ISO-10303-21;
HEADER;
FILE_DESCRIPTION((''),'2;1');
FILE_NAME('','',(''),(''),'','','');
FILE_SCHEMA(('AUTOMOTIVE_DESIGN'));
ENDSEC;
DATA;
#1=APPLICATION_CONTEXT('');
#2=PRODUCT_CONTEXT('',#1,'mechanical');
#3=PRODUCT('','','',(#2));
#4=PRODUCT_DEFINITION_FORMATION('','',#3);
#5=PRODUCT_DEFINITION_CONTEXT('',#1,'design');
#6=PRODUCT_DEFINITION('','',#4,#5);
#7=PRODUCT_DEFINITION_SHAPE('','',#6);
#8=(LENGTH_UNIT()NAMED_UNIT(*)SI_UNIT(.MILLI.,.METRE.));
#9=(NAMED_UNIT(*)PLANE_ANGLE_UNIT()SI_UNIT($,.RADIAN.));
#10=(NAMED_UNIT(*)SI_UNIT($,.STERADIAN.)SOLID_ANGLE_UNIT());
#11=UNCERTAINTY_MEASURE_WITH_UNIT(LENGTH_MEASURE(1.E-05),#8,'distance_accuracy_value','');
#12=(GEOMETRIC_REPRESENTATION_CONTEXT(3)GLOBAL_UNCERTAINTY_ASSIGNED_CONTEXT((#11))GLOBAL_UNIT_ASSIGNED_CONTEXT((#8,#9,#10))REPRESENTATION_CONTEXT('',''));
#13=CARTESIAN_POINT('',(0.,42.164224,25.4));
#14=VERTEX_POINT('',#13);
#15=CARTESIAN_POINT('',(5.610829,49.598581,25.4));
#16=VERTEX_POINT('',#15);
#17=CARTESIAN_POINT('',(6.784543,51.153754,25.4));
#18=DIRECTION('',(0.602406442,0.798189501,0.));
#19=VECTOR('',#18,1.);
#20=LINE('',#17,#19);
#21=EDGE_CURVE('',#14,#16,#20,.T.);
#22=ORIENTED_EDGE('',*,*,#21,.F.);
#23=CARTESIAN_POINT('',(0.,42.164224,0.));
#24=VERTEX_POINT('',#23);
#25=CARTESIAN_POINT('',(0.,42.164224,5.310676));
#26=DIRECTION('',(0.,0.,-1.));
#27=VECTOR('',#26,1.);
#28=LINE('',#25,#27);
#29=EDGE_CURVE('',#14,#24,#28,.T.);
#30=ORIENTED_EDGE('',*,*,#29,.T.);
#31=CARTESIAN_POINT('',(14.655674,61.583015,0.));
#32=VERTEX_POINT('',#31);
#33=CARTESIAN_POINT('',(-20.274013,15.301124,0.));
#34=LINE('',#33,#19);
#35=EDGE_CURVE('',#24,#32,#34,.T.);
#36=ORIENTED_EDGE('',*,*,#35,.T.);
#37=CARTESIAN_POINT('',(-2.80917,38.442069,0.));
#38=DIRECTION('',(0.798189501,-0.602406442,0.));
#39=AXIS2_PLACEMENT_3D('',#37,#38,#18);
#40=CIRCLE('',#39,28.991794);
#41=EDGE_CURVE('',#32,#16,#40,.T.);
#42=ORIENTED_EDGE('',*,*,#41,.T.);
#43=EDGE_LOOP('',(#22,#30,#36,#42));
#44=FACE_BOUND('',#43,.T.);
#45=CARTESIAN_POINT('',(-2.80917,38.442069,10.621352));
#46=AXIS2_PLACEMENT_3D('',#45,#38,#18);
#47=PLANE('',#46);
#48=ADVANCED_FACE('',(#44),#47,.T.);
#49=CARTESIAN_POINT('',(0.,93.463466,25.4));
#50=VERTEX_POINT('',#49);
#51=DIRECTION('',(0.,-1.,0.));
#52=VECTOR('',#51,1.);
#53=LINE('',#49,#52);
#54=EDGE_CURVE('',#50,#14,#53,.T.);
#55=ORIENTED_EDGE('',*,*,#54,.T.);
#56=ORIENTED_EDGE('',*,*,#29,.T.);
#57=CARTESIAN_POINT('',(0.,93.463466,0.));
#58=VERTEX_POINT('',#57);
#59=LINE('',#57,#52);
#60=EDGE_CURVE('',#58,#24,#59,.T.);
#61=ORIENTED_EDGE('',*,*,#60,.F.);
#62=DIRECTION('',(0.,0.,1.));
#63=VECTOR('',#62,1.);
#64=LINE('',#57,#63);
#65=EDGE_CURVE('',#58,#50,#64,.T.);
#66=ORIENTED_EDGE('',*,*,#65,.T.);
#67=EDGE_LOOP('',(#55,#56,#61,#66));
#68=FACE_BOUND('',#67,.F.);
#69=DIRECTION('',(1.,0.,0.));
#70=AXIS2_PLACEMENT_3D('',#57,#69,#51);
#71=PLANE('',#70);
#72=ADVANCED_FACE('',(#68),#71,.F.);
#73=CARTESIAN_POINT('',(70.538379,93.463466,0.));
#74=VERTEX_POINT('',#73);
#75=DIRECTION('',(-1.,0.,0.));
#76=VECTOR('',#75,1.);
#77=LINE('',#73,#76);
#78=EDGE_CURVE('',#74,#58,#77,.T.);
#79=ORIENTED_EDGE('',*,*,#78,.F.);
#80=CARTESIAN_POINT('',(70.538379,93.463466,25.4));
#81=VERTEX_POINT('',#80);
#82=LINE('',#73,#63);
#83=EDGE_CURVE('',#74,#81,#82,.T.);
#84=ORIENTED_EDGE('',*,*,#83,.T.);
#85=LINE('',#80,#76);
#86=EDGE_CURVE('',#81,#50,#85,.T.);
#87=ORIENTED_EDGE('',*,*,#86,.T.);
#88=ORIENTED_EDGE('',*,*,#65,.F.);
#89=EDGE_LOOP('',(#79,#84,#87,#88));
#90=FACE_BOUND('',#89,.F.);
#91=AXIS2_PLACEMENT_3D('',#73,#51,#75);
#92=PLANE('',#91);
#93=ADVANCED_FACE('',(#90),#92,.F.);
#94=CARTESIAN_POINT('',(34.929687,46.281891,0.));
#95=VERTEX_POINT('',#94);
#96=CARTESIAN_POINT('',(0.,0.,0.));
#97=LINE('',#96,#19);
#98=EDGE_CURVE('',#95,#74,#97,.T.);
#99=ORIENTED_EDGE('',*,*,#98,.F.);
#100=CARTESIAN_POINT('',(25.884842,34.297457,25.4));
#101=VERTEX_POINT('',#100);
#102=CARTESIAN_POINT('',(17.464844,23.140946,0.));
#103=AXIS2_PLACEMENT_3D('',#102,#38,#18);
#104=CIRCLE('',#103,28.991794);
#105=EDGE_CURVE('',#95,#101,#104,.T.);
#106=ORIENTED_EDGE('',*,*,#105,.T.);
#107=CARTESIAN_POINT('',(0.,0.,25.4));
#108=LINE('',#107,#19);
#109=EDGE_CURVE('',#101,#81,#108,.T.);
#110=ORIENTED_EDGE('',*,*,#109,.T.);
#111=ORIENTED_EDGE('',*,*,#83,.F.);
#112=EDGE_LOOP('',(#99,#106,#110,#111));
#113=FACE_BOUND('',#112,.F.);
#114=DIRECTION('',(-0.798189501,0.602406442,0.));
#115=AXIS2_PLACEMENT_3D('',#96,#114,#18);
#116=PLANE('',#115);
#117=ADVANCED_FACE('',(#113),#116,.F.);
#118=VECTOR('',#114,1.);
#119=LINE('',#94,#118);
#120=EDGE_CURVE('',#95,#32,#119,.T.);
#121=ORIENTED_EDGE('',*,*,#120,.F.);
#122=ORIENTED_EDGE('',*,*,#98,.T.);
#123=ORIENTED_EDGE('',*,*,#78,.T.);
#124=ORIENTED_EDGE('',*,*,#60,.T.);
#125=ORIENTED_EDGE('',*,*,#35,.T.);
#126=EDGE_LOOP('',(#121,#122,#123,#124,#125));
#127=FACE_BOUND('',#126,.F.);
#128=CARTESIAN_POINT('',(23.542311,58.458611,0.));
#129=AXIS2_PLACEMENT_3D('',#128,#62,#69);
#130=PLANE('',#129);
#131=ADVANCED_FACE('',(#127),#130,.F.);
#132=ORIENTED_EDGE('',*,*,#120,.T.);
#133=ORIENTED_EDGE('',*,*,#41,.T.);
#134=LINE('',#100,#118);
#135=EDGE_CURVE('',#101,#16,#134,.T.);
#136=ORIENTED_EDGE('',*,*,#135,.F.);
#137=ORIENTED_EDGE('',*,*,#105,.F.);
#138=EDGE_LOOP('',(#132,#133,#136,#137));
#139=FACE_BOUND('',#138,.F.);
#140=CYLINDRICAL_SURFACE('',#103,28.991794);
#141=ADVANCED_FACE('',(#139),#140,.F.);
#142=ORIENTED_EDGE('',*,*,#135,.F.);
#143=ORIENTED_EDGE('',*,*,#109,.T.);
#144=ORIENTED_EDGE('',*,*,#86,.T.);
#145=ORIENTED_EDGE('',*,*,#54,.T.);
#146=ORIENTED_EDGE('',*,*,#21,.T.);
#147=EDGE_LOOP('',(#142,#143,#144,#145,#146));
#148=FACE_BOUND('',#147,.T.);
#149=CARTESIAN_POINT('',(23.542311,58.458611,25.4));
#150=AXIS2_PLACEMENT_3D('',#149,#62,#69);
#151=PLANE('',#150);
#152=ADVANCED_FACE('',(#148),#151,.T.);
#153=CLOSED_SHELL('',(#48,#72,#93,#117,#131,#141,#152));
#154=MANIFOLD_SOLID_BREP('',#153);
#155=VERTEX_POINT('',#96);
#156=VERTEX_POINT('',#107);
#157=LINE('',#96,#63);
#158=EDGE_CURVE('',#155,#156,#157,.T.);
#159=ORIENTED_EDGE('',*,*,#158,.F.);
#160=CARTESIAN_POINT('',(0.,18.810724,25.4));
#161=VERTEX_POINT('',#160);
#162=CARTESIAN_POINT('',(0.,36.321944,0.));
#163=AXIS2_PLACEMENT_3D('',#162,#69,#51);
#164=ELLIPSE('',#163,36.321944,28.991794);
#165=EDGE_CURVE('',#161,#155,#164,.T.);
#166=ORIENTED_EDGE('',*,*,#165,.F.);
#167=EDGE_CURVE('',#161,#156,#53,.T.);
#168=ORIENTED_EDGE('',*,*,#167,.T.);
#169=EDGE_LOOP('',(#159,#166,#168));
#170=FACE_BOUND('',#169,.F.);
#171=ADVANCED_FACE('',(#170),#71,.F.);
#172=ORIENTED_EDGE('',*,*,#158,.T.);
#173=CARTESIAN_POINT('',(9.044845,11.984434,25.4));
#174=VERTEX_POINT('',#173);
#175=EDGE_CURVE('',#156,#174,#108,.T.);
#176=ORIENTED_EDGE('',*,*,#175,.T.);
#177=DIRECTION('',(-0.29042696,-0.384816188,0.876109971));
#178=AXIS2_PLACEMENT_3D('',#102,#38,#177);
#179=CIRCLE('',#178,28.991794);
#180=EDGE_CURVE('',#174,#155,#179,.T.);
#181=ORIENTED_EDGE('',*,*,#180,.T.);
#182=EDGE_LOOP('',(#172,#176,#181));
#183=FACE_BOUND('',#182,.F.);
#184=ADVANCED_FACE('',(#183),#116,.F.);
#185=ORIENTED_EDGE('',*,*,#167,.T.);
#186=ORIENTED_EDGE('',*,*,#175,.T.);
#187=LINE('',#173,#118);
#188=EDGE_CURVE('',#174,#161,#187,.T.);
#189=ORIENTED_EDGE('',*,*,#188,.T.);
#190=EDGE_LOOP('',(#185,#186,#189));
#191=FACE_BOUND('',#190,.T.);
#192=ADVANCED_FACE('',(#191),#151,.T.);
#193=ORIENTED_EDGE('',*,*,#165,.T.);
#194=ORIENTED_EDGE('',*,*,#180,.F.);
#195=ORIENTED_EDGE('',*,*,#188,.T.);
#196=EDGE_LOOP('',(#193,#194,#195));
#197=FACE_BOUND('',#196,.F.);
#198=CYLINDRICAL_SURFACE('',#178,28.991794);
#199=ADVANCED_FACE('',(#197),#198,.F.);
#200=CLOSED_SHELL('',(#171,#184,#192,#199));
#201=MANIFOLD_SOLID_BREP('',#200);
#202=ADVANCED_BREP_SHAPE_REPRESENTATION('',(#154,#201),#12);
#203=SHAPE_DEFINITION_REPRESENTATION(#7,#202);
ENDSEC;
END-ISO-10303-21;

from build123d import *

# Parameters (mm, degrees)
F1_DEPTH = 25.4
F3_DEPTH = 25.4


with BuildPart() as f1:
    # F0 (on Top) → F1 (new body)
    with BuildSketch(Plane.XY):
        Polygon((0, 93.4634655714), (0, 0), (70.538379252, 93.4634655714), align=None)
    extrude(amount=F1_DEPTH)

    # F2 (on face) → F3 (cut)
    with BuildSketch(Plane(origin=(0, 0, 0), x_dir=(0.6024064416, 0.7981895007, 0), z_dir=(0.7981895007, -0.6024064416, 0))):
        with BuildLine():
            ThreePointArc((15.0145222435, 25.4), (4.0343271511, 14.75293088), (0, 0))
            Line((0, 0), (57.9835884273, 0))
            ThreePointArc((57.9835884273, 0), (53.9492612762, 14.75293088), (42.9690661838, 25.4))
            Line((42.9690661838, 25.4), (15.0145222435, 25.4))
        make_face()
        with BuildLine():
            ThreePointArc((42.9690661838, 25.4), (28.9917942137, 28.9917942137), (15.0145222435, 25.4))
            Line((15.0145222435, 25.4), (42.9690661838, 25.4))
        make_face()
    extrude(amount=-F3_DEPTH, mode=Mode.SUBTRACT)


solid = f1.part
